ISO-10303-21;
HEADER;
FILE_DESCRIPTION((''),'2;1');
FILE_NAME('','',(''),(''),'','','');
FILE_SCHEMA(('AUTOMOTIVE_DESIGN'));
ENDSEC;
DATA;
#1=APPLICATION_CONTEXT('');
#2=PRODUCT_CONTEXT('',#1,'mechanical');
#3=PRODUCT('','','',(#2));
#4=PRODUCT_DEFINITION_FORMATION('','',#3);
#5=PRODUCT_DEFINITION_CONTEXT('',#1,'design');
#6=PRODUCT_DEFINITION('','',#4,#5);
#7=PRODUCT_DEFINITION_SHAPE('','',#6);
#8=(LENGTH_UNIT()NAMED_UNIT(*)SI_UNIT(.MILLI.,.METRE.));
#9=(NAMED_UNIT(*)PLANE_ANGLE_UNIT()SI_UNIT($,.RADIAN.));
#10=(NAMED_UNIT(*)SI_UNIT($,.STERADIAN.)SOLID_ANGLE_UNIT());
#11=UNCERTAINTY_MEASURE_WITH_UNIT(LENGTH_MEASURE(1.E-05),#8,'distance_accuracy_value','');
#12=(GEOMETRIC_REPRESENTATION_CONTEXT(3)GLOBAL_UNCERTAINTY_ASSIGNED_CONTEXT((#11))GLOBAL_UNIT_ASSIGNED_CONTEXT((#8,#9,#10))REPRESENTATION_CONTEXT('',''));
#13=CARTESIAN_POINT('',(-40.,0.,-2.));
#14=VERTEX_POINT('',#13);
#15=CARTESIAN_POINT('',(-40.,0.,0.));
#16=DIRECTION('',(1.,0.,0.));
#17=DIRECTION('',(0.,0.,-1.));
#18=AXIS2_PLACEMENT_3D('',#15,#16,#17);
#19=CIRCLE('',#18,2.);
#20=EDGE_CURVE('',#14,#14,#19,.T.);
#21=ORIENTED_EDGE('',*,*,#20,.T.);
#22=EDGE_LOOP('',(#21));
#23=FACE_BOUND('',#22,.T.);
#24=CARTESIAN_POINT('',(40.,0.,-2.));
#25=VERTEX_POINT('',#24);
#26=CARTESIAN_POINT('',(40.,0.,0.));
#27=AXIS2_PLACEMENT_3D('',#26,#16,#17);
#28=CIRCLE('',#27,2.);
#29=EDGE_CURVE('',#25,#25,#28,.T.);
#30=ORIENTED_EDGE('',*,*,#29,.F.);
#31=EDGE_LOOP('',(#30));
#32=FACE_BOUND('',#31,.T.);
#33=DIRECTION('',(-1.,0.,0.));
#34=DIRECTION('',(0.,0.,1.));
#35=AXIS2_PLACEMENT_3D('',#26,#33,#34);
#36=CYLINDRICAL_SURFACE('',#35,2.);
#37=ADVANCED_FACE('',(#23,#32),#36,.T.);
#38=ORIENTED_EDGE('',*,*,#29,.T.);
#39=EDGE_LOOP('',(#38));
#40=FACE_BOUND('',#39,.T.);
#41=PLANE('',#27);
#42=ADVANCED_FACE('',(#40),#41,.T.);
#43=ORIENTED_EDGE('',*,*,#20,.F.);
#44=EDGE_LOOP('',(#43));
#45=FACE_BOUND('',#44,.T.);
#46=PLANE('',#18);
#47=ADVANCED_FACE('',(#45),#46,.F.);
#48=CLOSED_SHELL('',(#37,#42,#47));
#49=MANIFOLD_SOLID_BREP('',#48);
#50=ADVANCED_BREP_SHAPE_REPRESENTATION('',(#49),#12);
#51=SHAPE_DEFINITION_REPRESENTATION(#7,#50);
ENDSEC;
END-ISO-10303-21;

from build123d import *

# Parameters (mm, degrees)
SKETCH1_R           = 2
BOSS_EXTRUDE1_DEPTH = 40


with BuildPart() as part:
    # Sketch1 → Boss-Extrude1 (new body, symmetric)
    with BuildSketch(Plane(origin=(0, 0, 0), x_dir=(0, 0, -1), z_dir=(1, 0, 0))):
        Circle(SKETCH1_R)
    extrude(amount=BOSS_EXTRUDE1_DEPTH, both=True)


solid = part.part
